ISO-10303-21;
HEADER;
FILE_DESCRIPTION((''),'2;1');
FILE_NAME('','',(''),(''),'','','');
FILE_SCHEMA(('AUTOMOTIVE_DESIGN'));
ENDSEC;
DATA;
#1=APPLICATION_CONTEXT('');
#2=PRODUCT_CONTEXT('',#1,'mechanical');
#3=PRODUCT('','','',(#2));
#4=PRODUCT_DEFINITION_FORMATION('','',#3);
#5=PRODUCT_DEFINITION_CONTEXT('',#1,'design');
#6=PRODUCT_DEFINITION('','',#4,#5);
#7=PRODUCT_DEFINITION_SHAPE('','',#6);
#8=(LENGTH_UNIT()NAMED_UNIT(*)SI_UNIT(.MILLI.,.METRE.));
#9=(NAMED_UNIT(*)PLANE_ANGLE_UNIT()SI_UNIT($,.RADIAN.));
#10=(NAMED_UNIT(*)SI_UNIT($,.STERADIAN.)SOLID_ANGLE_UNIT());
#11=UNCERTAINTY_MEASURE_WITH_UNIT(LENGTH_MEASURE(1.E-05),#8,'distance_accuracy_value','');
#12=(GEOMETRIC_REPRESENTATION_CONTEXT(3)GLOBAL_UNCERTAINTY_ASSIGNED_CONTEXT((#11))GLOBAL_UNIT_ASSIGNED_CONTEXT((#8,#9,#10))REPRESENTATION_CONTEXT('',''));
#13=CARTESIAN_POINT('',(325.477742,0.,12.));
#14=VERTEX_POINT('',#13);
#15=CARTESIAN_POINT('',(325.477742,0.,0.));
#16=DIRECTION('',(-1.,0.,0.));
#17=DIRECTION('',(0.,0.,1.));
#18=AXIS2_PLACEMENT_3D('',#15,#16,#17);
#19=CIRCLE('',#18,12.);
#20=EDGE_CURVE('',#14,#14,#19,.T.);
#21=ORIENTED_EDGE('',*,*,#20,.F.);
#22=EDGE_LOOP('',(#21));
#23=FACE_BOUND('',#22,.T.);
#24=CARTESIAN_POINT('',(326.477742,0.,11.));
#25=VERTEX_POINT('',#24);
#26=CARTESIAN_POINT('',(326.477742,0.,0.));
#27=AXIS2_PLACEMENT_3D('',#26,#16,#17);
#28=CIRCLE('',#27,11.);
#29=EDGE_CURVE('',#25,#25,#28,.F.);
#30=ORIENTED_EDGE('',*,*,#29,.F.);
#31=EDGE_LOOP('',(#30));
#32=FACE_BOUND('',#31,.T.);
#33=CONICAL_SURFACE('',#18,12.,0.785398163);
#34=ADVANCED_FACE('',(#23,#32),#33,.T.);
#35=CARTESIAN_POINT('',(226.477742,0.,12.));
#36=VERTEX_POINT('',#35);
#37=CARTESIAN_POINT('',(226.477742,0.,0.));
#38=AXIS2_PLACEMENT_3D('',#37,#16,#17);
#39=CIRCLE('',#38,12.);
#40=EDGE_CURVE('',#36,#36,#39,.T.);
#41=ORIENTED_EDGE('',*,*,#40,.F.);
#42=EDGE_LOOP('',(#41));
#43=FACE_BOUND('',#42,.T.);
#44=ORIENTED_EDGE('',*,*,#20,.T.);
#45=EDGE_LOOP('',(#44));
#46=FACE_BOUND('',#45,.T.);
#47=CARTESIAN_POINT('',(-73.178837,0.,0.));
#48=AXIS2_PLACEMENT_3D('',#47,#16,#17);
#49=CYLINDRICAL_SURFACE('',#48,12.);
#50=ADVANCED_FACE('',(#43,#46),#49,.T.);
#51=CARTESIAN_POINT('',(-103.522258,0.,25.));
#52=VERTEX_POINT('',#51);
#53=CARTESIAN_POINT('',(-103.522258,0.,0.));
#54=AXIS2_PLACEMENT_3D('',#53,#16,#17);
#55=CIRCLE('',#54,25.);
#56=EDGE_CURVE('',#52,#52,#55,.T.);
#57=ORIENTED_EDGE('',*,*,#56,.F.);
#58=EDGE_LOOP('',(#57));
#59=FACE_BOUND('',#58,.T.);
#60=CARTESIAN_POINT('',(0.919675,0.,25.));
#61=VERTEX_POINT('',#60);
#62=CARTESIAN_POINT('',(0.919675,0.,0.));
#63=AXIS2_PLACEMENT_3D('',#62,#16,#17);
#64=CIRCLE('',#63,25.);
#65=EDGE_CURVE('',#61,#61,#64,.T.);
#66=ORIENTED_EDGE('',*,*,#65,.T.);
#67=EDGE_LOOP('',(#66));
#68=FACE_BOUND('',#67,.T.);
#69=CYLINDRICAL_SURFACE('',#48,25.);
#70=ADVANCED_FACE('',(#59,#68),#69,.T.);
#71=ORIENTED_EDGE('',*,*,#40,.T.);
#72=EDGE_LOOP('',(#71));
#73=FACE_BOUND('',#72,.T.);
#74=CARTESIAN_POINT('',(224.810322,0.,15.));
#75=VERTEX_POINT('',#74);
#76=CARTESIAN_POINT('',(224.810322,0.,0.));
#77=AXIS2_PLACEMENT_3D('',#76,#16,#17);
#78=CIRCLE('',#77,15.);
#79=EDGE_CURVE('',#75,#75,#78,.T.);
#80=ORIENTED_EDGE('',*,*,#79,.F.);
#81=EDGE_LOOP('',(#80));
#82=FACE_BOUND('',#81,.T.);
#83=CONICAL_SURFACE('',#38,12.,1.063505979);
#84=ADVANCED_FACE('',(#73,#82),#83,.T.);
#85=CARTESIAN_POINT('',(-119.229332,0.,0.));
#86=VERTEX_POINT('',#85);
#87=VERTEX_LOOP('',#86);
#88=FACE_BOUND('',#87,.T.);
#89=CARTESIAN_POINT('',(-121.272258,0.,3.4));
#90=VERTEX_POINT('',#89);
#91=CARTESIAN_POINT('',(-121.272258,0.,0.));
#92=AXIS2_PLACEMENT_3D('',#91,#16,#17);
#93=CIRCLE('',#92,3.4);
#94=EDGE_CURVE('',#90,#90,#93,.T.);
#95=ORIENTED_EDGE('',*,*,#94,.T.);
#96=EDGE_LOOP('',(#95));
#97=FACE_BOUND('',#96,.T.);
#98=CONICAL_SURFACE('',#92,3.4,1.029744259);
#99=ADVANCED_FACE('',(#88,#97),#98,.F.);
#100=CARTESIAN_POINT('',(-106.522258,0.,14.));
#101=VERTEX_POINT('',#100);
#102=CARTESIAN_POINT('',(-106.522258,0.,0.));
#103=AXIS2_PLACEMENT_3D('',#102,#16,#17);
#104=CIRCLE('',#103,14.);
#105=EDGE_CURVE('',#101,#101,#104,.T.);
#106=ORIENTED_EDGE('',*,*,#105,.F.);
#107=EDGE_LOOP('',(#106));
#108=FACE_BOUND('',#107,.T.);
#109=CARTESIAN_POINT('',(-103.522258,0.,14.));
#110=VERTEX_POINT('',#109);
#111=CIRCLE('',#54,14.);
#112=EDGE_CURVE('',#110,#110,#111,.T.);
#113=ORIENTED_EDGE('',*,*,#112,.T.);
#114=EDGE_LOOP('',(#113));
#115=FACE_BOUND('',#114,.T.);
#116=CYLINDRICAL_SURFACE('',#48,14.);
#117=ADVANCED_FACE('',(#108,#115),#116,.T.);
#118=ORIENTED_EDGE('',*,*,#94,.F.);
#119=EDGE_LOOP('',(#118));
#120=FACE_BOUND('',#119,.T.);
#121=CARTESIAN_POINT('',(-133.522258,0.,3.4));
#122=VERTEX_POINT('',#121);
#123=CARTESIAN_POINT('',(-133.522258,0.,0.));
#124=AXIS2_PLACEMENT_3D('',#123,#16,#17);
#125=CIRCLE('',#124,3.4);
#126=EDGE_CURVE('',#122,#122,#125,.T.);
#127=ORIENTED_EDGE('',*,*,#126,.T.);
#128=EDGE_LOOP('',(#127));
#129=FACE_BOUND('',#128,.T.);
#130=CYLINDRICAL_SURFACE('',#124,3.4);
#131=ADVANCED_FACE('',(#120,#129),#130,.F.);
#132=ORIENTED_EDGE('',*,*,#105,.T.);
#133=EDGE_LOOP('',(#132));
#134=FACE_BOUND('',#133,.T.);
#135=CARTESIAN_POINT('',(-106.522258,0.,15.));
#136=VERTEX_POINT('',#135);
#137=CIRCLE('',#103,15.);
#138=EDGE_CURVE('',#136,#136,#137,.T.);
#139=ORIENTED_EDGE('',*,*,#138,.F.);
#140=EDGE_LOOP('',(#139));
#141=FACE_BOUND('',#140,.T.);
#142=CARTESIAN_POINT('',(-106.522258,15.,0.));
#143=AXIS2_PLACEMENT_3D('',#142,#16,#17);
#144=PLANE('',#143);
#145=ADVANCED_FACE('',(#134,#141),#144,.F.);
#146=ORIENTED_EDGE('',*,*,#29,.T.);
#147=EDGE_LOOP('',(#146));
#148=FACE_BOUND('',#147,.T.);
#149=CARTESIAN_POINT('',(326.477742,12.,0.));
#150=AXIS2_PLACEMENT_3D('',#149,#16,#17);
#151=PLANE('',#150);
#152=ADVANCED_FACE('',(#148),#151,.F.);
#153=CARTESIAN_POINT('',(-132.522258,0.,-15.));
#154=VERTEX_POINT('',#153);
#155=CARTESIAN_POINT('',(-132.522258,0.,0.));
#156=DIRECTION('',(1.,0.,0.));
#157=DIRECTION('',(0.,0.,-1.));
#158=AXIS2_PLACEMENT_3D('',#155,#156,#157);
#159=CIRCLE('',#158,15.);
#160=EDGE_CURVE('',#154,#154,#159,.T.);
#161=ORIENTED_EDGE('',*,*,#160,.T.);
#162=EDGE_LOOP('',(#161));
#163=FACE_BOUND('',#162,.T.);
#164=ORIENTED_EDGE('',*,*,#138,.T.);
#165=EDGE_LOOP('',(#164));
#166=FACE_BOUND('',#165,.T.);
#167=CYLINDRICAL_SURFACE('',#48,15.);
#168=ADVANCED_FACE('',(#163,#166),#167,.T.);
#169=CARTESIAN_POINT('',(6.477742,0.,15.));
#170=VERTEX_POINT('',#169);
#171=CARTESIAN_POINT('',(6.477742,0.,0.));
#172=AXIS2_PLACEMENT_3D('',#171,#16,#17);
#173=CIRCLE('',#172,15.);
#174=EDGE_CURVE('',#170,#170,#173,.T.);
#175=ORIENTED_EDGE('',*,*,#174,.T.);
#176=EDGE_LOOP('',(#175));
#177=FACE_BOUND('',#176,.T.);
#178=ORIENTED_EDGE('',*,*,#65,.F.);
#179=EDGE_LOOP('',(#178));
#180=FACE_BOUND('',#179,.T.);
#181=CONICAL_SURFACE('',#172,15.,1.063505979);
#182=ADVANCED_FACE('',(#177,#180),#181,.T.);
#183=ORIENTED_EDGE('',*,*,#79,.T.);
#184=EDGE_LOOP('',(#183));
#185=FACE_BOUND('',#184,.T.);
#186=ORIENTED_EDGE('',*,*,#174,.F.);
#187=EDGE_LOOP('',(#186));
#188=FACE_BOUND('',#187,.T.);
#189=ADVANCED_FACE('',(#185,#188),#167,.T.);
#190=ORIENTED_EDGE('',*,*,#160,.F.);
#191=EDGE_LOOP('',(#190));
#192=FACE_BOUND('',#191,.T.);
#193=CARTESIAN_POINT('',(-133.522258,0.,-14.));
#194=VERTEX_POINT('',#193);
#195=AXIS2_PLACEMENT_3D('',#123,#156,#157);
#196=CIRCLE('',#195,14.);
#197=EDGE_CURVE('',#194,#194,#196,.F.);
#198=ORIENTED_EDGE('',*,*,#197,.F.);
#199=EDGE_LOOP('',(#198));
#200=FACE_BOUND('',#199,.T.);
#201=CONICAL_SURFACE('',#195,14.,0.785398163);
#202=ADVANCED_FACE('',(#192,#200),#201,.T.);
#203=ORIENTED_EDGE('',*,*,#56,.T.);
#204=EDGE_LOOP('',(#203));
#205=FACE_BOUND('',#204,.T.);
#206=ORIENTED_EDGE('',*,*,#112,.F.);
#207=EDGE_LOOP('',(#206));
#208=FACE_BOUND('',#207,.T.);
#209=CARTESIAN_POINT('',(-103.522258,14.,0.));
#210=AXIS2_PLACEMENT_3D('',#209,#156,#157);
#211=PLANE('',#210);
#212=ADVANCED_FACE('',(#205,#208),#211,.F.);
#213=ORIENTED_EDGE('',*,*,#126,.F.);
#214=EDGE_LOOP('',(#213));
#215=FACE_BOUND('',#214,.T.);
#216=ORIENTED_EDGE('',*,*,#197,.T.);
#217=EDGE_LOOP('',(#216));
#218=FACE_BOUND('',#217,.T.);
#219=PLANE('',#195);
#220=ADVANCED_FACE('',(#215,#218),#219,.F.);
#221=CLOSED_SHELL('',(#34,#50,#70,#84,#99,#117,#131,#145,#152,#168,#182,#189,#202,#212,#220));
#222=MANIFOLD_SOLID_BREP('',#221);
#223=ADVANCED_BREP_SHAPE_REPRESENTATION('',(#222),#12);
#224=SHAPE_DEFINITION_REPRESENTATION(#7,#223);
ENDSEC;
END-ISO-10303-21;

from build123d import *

# Parameters (mm, degrees)
OTW_R_GWINTOWANY_M81_D     = 6.8
OTW_R_GWINTOWANY_M81_DEPTH = 12.25
OTW_R_GWINTOWANY_M81_TIP   = 2.042926105
SFAZOWANIE1_SIZE           = 1
SFAZOWANIE2_SIZE           = 1


with BuildPart() as part:
    # Szkic1 → Obrót1 (revolve)
    with BuildSketch(Plane.XY, mode=Mode.PRIVATE) as obr_t1_sk:
        Polygon((-133.522258266, 0), (-133.522258266, 15), (-106.522258266, 15), (-106.522258266, 14), (-103.522258266, 14), (-103.522258266, 25), (0.919675372, 25), (6.477741734, 15), (224.810321825, 15), (226.477741734, 12), (326.477741734, 12), (326.477741734, 0), align=None)
    revolve(obr_t1_sk.sketch.rotate(Axis((-73.178837214, 0, 0), (1, 0, 0)), 90), axis=Axis((-73.178837214, 0, 0), (1, 0, 0)))

    # Otwór gwintowany M81
    with Locations(Plane.ZY.offset(133.522258266)):
        with Locations((0, 0)):
            Hole(OTW_R_GWINTOWANY_M81_D / 2, depth=OTW_R_GWINTOWANY_M81_DEPTH)
            with Locations((0, 0, -(OTW_R_GWINTOWANY_M81_DEPTH + OTW_R_GWINTOWANY_M81_TIP / 2))):  # 118° drill point
                Cone(0, OTW_R_GWINTOWANY_M81_D / 2, OTW_R_GWINTOWANY_M81_TIP, mode=Mode.SUBTRACT)

    # Sfazowanie1
    sfazowanie1_edges = [part.edges().sort_by_distance(p)[0] for p in [
        (-133.522258266, 0, -15),
    ]]
    chamfer(sfazowanie1_edges, length=SFAZOWANIE1_SIZE)

    # Sfazowanie2
    sfazowanie2_edges = [part.edges().sort_by_distance(p)[0] for p in [
        (326.477741734, 0, -12),
    ]]
    chamfer(sfazowanie2_edges, length=SFAZOWANIE2_SIZE)


solid = part.part
